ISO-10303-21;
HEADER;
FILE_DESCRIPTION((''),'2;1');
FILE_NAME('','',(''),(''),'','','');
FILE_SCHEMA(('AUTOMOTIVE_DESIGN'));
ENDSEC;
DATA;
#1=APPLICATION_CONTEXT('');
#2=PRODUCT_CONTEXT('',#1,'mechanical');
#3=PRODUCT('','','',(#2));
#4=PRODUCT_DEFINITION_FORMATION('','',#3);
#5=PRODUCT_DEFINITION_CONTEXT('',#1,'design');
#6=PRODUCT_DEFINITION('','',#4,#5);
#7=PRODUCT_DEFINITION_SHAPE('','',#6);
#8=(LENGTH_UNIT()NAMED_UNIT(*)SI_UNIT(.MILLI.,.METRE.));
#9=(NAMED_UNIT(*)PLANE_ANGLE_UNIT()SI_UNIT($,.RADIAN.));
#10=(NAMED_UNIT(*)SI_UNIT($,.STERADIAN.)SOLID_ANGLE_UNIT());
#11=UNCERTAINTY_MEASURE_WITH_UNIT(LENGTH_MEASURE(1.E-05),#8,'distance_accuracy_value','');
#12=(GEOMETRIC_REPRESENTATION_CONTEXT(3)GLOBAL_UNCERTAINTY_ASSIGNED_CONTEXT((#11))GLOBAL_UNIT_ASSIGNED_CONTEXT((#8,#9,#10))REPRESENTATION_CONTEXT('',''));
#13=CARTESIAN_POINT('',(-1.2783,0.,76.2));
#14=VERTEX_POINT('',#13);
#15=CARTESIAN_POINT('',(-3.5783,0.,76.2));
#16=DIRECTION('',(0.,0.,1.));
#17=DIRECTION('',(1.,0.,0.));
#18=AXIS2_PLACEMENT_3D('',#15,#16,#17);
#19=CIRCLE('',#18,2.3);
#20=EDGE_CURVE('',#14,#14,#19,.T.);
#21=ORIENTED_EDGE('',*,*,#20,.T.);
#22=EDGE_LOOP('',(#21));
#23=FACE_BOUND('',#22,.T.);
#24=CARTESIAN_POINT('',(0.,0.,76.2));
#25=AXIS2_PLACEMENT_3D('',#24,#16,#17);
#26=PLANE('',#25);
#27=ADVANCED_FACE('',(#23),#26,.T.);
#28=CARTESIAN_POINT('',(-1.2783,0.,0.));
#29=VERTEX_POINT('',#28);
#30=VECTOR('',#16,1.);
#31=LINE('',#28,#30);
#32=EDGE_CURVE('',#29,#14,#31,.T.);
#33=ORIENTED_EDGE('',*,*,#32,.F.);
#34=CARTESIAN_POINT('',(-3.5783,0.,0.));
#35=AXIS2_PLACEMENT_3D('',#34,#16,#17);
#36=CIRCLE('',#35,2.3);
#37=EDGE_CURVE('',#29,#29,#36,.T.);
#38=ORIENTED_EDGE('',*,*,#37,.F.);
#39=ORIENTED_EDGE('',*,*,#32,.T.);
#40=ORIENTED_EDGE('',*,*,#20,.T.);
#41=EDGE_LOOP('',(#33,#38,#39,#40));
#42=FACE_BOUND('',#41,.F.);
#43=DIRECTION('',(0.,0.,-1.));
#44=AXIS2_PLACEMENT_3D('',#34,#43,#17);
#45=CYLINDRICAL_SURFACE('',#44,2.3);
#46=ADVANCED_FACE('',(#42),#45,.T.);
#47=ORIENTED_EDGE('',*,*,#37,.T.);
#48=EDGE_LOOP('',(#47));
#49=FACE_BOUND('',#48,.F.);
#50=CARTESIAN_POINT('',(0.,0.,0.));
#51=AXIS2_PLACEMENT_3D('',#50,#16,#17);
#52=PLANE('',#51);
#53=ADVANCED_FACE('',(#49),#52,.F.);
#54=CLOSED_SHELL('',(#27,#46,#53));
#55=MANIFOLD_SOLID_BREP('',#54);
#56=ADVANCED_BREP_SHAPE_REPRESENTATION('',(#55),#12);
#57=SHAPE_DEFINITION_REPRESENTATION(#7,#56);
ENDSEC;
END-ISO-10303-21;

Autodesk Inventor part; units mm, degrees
ref_plane "YZ Plane" through (0, 0, 0) normal (1, 0, 0) x (0, 1, 0)
ref_plane "XZ Plane" through (0, 0, 0) normal (0, 1, 0) x (-1, 0, 0)
sketch "Sketch1" plane through (0, 0, 0) normal (0, 0, 1) x (1, 0, 0)
  circle A0 centre (-3.5783, 0) radius 2.413
  circle A1 centre (-3.5783, 0) radius 2.3
  point P0 (0, 0)
  dimension "d0" = 4.6
ref_plane "Work Plane1" through (-27.3719, -12.081, 76.2) normal (0, 0, -1) x (0, 1, 0)
extrude "Extrusion1" add sketch "Sketch1" along normal up to surface (76.2 mm away) contours A1
properties part number "ArmRod"
